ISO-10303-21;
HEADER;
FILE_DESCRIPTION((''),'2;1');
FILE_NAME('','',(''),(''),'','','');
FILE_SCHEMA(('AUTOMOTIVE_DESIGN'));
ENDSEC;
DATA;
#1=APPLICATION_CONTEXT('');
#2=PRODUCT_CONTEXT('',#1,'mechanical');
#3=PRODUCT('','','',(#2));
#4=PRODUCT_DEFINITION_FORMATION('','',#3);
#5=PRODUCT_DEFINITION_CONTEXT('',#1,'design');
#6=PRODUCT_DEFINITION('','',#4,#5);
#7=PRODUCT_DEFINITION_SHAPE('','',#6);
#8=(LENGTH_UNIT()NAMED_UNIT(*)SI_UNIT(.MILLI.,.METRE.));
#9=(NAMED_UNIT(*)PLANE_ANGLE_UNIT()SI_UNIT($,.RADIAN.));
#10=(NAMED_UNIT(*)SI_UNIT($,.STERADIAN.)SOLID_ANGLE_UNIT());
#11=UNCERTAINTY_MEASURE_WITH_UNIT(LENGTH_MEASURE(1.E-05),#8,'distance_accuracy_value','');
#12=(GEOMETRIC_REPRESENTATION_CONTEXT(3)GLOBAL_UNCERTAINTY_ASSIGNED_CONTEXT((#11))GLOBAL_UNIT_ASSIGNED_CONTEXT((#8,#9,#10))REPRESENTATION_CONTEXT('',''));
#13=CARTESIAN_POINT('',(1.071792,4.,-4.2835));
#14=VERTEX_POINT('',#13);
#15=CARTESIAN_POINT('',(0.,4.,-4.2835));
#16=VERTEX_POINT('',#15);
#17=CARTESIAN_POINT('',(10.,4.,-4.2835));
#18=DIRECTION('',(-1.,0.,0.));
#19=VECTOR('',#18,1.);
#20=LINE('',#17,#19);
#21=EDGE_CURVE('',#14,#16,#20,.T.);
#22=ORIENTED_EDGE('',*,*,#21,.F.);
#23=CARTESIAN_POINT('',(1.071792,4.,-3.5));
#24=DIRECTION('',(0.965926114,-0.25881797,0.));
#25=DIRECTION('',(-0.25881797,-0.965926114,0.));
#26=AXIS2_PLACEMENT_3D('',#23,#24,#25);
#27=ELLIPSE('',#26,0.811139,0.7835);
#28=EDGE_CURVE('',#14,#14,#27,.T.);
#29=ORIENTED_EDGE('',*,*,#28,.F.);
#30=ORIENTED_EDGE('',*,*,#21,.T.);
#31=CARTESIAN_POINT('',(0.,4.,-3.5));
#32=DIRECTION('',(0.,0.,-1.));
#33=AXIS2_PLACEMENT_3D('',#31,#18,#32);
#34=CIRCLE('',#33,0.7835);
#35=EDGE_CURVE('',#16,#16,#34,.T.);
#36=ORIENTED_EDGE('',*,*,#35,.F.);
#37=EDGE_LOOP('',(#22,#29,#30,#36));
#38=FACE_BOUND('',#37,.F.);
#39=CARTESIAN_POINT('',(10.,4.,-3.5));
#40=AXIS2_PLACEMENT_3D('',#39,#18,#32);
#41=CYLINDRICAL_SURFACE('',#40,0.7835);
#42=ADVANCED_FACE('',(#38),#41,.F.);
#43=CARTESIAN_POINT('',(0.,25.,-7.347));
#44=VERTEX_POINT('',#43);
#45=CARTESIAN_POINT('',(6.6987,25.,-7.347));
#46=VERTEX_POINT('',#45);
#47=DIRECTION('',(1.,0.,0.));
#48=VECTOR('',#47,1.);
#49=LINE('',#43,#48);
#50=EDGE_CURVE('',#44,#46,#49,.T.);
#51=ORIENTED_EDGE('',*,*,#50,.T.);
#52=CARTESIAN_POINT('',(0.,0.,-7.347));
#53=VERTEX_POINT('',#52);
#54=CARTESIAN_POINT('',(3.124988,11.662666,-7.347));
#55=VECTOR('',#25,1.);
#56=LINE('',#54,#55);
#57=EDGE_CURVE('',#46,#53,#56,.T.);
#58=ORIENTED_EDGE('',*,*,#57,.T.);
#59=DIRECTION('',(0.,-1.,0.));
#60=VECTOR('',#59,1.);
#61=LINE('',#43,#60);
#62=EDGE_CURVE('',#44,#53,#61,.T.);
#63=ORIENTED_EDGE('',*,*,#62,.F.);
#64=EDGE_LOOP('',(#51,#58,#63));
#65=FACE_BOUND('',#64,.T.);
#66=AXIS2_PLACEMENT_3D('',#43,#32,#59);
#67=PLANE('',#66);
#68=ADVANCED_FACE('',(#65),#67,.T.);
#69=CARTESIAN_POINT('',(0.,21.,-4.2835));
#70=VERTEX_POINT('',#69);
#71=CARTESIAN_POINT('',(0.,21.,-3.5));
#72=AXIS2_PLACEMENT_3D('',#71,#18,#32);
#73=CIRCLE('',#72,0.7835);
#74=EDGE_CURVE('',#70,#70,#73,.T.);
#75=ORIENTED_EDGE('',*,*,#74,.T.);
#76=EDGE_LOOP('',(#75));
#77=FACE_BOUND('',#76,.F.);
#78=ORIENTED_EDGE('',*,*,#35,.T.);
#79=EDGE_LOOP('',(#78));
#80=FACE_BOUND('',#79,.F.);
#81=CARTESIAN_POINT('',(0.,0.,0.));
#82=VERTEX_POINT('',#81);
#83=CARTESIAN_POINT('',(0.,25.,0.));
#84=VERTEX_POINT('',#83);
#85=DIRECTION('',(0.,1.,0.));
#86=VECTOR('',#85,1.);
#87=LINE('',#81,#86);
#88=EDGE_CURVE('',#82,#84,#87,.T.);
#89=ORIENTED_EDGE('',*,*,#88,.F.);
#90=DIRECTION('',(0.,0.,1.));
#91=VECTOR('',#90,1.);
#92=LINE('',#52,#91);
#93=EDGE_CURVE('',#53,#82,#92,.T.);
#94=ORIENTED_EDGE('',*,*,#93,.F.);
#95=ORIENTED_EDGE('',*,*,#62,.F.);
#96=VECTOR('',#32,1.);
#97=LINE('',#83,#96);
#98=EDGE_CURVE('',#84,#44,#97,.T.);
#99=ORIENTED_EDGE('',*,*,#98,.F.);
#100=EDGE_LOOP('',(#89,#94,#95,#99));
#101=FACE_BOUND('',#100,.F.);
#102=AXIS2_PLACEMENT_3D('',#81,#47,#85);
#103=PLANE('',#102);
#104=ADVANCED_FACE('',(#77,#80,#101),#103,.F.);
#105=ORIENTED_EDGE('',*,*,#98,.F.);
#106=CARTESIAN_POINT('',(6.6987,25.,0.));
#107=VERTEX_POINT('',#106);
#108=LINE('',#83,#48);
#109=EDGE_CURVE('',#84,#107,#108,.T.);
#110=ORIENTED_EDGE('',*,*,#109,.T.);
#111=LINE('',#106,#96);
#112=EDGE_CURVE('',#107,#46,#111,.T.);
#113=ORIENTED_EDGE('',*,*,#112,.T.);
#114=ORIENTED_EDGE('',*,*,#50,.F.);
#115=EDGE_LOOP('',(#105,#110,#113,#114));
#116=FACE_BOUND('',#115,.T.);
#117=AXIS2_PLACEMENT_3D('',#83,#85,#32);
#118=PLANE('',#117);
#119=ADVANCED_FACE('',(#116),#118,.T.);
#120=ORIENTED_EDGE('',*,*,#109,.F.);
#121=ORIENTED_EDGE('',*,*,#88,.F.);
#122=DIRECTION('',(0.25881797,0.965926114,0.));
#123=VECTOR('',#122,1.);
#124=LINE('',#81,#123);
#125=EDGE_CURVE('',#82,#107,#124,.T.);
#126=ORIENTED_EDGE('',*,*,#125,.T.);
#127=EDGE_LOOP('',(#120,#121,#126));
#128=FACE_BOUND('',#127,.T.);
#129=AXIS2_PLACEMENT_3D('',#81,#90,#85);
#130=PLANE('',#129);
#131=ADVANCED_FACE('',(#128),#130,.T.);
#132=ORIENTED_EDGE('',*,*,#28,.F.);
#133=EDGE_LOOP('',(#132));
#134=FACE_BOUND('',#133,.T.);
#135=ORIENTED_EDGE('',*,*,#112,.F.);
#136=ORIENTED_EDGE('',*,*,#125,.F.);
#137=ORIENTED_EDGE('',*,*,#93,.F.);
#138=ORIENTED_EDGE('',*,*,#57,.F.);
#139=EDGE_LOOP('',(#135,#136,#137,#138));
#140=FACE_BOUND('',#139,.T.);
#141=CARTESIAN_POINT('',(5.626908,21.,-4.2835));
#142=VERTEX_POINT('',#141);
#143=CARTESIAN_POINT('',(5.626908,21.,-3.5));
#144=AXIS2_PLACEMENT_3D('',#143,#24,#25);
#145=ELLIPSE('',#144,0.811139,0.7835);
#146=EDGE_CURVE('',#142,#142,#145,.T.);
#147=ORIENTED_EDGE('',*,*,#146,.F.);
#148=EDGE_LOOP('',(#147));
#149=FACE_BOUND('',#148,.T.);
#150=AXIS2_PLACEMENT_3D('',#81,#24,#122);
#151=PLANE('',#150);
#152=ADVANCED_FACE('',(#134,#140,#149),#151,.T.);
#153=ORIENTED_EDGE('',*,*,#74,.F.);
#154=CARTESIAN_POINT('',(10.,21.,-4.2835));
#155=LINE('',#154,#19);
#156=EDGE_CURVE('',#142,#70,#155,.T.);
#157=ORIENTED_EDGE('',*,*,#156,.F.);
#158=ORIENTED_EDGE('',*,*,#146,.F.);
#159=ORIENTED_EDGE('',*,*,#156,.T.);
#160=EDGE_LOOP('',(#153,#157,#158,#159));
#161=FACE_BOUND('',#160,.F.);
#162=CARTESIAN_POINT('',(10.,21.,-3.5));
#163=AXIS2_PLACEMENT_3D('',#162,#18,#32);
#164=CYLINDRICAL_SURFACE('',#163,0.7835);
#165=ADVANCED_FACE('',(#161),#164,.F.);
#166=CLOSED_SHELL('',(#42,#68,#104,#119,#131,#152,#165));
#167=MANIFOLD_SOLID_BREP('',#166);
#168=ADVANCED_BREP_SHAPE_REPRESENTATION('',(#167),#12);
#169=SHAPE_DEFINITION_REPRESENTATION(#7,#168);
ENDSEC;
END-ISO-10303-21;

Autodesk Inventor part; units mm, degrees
ref_plane "YZ Plane" through (0, 0, 0) normal (1, 0, 0) x (0, 1, 0)
ref_plane "XZ Plane" through (0, 0, 0) normal (0, 1, 0) x (-1, 0, 0)
ref_plane "XY Plane" through (0, 0, 0) normal (0, 0, 1) x (1, 0, 0)
sketch "Esquisse1" plane through (0, 0, 0) normal (1, 0, 0) x (0, 1, 0)
  line L0 (0, 0) -> (25, 0)
  line L1 (25, 0) -> (25, -7.347)
  line L2 (25, -7.347) -> (0, -7.347)
  line L3 (0, -7.347) -> (0, 0)
  dimension "d0" = 25
  dimension "d1" = 7.347
extrude "Extrusion1" add sketch "Esquisse1" along normal blind 10
sketch "Esquisse3" plane through (10, 0, 0) normal (1, 0, 0) x (0, 0, -1)
  line L0 (0, 0) -> (7.347, 0) projected
  line L1 (0, 0) -> (3.5, 0)
  line L2 (3.5, 0) -> (3.5, 4)
  line L3 (7.347, 25) -> (0, 25) projected
  line L4 (0, 25) -> (3.5, 25)
  line L5 (3.5, 25) -> (3.5, 21)
  dimension "d7" = 3.5
  dimension "d8" = 4
  dimension "d9" = 3.5
  dimension "d10" = 4
  dimension "d11" = 90
hole "Perçage1" at (10, 4, -3.5) at (10, 21, -3.5) direction (-1, 0, 0) diameter 1.567 end through all thread size "M2x0.4" class "6H" standard "ISO Metric profile"
sketch "Esquisse4" plane through (0, 0, 0) normal (0, 0, 1) x (1, 0, 0)
  line L0 (0, 0) -> (10, 0) projected
  line L1 (0, 0) -> (6.6987, 25)
  line L2 (0, 25) -> (10, 25) projected
  line L3 (0, 0) -> (25.8819, 0) construction
  line L4 (0, 25) -> (10, 25) projected
  line L5 (10, 25) -> (10, 0) projected
  dimension "d19" = 75
extrude "Extrusion3" cut sketch "Esquisse4" against normal blind 10
properties part number "face 15°"
